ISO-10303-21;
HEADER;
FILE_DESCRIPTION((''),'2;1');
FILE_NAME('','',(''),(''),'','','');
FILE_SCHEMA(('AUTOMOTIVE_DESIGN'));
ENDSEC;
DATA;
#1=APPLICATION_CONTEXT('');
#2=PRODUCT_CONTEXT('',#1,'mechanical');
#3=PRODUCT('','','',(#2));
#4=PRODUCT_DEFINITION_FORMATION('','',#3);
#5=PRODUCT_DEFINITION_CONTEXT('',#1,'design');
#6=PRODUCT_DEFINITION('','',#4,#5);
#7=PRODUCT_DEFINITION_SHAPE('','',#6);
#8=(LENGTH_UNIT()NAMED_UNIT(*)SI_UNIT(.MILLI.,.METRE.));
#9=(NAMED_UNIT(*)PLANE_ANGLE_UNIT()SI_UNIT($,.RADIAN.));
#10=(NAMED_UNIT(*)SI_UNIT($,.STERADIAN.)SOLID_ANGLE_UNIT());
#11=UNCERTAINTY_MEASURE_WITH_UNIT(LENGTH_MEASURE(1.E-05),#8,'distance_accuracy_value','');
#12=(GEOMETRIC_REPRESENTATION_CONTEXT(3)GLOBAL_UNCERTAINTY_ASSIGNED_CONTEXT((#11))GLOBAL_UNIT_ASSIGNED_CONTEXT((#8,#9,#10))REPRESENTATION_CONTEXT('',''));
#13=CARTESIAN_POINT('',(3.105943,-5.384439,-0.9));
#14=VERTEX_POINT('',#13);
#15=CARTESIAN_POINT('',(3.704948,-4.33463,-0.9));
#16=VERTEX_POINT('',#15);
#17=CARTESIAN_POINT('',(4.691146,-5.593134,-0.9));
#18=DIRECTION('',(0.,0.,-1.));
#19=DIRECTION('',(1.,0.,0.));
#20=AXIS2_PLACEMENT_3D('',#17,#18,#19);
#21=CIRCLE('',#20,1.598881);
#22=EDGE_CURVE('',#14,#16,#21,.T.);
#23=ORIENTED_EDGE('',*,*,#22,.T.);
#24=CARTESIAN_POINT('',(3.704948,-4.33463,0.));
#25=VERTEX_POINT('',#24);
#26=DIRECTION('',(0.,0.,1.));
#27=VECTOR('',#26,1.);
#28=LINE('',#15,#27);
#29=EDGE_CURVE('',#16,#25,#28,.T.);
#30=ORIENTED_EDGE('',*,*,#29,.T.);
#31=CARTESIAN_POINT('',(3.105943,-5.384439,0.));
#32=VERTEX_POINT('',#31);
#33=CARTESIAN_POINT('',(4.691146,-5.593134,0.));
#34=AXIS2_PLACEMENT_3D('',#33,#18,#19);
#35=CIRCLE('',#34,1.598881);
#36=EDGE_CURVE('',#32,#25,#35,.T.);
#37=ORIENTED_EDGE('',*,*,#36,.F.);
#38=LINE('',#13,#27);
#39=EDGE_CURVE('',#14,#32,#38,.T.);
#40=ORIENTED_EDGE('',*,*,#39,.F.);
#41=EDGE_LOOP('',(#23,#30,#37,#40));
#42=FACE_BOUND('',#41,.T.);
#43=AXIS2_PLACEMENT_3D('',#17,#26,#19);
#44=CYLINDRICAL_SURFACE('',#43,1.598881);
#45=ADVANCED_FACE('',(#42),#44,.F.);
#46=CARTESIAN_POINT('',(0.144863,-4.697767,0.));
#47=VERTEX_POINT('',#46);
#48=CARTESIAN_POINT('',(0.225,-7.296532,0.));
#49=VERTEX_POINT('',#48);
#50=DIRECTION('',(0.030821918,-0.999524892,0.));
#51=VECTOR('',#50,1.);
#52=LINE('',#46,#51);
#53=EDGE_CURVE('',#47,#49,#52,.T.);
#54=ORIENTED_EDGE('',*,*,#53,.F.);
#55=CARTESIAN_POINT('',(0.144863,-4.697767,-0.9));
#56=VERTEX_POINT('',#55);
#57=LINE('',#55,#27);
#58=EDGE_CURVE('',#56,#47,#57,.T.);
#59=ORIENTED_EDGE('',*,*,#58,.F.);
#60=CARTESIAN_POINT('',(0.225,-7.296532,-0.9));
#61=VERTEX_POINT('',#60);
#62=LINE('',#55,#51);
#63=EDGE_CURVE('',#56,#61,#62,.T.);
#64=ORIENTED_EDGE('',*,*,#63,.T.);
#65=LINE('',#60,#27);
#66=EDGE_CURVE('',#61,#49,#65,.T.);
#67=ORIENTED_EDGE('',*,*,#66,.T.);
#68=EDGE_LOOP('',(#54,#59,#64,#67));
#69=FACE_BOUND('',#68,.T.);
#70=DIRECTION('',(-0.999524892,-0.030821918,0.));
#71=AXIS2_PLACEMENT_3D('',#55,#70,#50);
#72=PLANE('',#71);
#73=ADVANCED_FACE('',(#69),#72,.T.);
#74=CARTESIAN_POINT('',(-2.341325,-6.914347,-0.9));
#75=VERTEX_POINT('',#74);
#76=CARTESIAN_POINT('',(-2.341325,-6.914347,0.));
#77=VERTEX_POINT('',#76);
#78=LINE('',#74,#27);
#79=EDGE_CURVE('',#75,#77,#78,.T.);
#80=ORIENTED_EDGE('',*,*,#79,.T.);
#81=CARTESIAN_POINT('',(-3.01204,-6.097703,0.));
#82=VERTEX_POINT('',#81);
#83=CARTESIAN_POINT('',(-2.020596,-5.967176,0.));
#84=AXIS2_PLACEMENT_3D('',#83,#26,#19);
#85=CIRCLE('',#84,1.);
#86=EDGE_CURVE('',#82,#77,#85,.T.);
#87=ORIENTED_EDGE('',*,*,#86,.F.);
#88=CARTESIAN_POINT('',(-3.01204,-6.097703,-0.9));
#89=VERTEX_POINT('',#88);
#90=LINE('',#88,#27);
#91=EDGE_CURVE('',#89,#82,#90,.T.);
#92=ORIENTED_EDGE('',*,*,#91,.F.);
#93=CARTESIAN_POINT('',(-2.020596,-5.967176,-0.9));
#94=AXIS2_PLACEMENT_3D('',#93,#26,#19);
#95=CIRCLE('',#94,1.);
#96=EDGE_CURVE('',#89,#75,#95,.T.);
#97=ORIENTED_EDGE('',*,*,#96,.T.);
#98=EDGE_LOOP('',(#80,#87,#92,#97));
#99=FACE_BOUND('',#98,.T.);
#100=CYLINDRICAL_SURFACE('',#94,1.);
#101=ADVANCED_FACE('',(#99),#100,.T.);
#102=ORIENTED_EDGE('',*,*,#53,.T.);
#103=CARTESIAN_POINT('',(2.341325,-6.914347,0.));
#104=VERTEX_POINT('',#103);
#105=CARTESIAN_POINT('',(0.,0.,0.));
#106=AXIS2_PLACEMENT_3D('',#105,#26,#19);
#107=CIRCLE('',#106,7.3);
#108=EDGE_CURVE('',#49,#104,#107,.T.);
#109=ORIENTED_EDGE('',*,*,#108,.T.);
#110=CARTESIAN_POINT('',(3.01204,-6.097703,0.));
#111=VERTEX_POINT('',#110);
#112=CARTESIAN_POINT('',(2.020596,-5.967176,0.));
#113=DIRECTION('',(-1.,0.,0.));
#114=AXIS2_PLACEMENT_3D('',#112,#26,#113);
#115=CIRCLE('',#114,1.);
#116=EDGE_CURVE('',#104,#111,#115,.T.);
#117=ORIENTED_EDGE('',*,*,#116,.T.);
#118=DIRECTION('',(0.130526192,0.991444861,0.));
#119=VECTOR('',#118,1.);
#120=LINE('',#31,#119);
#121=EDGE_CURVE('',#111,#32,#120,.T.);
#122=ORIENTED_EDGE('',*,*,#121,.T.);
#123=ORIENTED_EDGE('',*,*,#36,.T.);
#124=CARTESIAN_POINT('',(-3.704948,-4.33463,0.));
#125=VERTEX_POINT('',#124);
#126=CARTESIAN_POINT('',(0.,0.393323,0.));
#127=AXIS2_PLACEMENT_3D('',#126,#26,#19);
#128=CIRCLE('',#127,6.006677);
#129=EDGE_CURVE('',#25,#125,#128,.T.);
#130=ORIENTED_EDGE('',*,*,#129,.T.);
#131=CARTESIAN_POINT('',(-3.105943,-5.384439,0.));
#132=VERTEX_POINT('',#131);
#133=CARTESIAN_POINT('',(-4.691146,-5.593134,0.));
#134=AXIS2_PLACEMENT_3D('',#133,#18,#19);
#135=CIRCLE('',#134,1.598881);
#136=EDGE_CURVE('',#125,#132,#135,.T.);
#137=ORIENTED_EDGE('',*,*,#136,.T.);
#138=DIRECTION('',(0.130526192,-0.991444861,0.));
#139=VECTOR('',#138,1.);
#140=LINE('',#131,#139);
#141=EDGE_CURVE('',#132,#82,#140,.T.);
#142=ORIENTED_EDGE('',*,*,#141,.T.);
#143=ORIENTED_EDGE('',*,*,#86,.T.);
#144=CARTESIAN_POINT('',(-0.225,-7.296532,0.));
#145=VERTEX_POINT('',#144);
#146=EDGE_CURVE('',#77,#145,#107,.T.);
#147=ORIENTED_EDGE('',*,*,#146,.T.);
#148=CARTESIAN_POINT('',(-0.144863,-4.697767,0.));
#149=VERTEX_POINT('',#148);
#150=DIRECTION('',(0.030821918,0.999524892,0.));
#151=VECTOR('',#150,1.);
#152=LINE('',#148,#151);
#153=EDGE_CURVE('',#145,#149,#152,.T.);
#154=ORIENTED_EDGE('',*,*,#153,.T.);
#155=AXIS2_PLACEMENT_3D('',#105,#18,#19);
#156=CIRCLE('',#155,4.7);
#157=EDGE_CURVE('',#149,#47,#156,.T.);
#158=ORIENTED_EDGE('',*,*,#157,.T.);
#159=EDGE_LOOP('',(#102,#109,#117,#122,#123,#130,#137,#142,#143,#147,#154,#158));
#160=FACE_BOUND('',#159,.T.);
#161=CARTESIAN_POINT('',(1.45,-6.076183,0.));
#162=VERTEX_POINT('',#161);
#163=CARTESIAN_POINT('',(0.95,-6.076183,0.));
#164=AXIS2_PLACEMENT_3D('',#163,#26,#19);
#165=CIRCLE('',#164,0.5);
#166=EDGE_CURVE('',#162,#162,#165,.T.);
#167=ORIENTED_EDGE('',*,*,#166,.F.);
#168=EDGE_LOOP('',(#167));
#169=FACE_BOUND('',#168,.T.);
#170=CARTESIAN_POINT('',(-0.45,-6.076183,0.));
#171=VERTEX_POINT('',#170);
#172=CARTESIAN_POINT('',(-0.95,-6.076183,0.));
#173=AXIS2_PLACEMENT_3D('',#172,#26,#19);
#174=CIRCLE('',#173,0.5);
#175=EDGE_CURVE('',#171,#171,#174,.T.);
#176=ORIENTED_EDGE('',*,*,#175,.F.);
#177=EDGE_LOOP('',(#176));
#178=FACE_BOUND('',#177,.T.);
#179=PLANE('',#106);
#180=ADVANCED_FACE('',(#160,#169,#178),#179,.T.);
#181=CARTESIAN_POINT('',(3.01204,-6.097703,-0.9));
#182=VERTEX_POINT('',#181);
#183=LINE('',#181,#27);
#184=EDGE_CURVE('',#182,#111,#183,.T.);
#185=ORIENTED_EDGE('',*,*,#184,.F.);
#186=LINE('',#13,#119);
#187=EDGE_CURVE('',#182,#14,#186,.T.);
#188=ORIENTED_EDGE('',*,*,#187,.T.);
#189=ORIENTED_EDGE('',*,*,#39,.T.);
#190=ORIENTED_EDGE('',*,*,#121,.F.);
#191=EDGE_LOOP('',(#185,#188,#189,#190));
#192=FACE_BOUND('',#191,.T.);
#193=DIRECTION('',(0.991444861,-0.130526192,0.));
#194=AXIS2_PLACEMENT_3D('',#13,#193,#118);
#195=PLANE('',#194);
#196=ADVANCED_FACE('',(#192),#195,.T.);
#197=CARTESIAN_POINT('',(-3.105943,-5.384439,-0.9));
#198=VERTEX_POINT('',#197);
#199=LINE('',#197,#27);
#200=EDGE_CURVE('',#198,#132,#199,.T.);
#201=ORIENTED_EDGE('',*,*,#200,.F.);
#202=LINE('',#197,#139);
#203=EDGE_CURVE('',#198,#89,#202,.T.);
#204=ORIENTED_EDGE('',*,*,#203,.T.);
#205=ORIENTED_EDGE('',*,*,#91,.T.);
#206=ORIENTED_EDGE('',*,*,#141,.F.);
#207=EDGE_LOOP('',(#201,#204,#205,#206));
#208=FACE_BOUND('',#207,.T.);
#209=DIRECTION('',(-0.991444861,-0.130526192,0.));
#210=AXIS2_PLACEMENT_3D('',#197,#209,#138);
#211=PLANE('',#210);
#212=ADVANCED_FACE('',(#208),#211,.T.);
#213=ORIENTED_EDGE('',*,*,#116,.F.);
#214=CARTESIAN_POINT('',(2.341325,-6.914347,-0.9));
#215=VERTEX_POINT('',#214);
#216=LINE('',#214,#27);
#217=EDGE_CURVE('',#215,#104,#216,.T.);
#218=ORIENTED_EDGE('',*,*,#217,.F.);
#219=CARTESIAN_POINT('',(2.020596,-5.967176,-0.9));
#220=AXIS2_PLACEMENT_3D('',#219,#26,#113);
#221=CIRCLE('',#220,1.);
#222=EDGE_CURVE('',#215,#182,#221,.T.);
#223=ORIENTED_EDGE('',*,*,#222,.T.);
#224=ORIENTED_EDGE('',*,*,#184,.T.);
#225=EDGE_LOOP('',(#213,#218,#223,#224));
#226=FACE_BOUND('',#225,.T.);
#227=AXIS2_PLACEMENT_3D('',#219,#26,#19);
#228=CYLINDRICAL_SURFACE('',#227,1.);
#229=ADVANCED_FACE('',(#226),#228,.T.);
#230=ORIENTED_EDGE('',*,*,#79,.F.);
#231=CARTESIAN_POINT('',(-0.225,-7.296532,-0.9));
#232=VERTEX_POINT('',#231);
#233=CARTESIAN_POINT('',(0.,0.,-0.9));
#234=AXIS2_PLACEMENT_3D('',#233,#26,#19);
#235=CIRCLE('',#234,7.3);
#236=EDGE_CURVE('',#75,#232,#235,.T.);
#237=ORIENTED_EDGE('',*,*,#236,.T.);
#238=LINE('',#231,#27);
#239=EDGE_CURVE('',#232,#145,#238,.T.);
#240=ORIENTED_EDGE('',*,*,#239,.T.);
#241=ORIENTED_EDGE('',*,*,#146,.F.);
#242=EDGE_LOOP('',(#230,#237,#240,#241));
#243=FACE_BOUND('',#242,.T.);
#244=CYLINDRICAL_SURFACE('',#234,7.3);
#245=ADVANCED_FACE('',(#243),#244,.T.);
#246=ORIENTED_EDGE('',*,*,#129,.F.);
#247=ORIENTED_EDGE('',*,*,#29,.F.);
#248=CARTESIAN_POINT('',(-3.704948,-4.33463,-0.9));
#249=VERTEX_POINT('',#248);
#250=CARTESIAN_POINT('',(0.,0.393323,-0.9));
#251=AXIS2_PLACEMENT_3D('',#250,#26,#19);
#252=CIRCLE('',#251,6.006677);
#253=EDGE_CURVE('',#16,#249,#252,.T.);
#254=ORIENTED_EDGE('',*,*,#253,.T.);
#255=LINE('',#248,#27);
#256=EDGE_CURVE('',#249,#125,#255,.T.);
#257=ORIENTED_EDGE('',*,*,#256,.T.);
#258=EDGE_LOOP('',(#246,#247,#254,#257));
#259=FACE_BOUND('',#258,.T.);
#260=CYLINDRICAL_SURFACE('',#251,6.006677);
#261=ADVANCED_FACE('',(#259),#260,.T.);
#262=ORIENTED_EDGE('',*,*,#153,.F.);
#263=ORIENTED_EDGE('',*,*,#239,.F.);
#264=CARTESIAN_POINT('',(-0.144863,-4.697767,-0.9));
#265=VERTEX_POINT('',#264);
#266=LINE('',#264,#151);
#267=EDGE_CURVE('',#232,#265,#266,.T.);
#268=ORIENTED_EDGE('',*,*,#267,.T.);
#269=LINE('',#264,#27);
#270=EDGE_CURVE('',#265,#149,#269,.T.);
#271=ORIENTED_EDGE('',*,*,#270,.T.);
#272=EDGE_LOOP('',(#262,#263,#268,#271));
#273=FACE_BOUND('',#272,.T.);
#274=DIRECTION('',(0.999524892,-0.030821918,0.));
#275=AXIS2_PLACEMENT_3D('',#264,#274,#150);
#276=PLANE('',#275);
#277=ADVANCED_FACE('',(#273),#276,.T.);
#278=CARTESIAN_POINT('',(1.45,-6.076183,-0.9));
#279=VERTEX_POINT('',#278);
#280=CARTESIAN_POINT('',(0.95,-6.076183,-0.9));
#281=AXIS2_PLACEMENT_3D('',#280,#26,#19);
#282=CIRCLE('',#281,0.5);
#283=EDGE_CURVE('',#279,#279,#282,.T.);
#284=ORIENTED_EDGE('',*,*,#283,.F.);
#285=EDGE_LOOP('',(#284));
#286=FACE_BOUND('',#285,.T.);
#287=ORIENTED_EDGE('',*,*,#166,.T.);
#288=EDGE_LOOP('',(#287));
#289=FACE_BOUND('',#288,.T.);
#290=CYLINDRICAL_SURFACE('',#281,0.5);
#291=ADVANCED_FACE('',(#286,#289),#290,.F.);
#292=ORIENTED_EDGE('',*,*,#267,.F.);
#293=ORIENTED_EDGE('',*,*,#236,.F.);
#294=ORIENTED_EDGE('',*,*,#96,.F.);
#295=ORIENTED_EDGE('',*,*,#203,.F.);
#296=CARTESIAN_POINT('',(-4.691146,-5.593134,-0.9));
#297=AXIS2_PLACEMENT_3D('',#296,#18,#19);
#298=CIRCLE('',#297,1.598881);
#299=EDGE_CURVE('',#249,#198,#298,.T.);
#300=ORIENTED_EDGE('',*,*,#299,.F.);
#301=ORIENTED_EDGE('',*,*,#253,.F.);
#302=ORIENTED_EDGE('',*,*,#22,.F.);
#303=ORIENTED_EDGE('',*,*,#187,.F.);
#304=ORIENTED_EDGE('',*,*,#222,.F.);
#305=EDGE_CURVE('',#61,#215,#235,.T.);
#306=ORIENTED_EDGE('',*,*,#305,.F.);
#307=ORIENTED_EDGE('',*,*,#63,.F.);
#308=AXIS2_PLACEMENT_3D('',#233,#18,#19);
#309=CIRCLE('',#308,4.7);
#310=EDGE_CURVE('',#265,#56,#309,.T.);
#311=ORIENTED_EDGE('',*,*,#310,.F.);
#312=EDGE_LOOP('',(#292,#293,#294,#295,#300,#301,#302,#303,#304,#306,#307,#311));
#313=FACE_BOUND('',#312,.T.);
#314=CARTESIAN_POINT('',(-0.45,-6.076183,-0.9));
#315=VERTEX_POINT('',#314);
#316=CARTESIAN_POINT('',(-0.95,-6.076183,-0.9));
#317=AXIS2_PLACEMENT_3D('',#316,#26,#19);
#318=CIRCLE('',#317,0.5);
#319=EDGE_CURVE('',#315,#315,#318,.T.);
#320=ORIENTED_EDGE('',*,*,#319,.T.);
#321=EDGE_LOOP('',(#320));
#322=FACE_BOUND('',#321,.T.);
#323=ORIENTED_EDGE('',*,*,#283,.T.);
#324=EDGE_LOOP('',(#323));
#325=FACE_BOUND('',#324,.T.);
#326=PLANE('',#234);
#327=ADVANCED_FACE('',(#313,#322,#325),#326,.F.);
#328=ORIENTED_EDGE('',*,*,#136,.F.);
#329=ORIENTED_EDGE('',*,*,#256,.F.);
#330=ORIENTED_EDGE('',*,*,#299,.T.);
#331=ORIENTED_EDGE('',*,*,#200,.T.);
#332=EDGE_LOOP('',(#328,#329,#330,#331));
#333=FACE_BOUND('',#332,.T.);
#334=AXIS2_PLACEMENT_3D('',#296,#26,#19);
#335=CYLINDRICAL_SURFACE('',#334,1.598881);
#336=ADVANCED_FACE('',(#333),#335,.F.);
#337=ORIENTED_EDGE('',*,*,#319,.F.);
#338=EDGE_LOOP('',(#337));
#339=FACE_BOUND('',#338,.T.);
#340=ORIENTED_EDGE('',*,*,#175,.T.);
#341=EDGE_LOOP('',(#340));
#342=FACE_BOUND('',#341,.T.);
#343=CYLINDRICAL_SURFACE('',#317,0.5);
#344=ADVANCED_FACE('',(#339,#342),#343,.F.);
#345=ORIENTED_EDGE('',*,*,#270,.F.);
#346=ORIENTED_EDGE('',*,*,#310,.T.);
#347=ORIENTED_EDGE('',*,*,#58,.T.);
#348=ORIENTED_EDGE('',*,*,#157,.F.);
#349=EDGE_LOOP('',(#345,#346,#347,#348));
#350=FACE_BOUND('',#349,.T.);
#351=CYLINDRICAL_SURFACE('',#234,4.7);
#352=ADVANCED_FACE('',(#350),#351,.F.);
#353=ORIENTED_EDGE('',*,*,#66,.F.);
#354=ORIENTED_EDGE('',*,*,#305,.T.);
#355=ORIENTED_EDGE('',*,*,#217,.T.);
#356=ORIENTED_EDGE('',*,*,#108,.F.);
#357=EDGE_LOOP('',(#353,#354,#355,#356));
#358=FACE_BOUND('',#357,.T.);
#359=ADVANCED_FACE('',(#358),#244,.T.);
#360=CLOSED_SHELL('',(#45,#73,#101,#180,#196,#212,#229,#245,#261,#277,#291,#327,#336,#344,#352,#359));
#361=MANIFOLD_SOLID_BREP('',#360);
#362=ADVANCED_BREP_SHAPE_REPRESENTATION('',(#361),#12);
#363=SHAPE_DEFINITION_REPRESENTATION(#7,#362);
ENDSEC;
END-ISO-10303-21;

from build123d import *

# Parameters (mm, degrees)
BODYSKE_R  = 0.5
BODY_DEPTH = 0.9


with BuildPart() as part:
    # BodySke → Body (new body)
    with BuildSketch(Plane.XY):
        with BuildLine():
            Line((0.144863014, -4.697766992), (0.225, -7.29653171))
            ThreePointArc((0.225, -7.29653171), (1.297313484, -7.183799672), (2.341325018, -6.914347197))
            ThreePointArc((2.341325018, -6.914347197), (2.793368158, -6.601859353), (3.012040425, -6.09770254))
            Line((3.012040425, -6.09770254), (3.1059434, -5.384438634))
            ThreePointArc((3.1059434, -5.384438634), (3.302423563, -4.800751307), (3.704948048, -4.334629659))
            ThreePointArc((3.704948048, -4.334629659), (0, 6.4), (-3.704948048, -4.334629659))
            ThreePointArc((-3.704948048, -4.334629659), (-3.302423563, -4.800751307), (-3.1059434, -5.384438634))
            Line((-3.1059434, -5.384438634), (-3.012040425, -6.09770254))
            ThreePointArc((-3.012040425, -6.09770254), (-2.793368158, -6.601859353), (-2.341325018, -6.914347197))
            ThreePointArc((-2.341325018, -6.914347197), (-1.297313484, -7.183799672), (-0.225, -7.29653171))
            Line((-0.225, -7.29653171), (-0.144863014, -4.697766992))
            ThreePointArc((-0.144863014, -4.697766992), (0, 4.7), (0.144863014, -4.697766992))
        make_face()
        with Locations((0.95, -6.076183012)):
            Circle(BODYSKE_R, mode=Mode.SUBTRACT)
        with Locations((-0.95, -6.076183012)):
            Circle(BODYSKE_R, mode=Mode.SUBTRACT)
    extrude(amount=-BODY_DEPTH)


solid = part.part
